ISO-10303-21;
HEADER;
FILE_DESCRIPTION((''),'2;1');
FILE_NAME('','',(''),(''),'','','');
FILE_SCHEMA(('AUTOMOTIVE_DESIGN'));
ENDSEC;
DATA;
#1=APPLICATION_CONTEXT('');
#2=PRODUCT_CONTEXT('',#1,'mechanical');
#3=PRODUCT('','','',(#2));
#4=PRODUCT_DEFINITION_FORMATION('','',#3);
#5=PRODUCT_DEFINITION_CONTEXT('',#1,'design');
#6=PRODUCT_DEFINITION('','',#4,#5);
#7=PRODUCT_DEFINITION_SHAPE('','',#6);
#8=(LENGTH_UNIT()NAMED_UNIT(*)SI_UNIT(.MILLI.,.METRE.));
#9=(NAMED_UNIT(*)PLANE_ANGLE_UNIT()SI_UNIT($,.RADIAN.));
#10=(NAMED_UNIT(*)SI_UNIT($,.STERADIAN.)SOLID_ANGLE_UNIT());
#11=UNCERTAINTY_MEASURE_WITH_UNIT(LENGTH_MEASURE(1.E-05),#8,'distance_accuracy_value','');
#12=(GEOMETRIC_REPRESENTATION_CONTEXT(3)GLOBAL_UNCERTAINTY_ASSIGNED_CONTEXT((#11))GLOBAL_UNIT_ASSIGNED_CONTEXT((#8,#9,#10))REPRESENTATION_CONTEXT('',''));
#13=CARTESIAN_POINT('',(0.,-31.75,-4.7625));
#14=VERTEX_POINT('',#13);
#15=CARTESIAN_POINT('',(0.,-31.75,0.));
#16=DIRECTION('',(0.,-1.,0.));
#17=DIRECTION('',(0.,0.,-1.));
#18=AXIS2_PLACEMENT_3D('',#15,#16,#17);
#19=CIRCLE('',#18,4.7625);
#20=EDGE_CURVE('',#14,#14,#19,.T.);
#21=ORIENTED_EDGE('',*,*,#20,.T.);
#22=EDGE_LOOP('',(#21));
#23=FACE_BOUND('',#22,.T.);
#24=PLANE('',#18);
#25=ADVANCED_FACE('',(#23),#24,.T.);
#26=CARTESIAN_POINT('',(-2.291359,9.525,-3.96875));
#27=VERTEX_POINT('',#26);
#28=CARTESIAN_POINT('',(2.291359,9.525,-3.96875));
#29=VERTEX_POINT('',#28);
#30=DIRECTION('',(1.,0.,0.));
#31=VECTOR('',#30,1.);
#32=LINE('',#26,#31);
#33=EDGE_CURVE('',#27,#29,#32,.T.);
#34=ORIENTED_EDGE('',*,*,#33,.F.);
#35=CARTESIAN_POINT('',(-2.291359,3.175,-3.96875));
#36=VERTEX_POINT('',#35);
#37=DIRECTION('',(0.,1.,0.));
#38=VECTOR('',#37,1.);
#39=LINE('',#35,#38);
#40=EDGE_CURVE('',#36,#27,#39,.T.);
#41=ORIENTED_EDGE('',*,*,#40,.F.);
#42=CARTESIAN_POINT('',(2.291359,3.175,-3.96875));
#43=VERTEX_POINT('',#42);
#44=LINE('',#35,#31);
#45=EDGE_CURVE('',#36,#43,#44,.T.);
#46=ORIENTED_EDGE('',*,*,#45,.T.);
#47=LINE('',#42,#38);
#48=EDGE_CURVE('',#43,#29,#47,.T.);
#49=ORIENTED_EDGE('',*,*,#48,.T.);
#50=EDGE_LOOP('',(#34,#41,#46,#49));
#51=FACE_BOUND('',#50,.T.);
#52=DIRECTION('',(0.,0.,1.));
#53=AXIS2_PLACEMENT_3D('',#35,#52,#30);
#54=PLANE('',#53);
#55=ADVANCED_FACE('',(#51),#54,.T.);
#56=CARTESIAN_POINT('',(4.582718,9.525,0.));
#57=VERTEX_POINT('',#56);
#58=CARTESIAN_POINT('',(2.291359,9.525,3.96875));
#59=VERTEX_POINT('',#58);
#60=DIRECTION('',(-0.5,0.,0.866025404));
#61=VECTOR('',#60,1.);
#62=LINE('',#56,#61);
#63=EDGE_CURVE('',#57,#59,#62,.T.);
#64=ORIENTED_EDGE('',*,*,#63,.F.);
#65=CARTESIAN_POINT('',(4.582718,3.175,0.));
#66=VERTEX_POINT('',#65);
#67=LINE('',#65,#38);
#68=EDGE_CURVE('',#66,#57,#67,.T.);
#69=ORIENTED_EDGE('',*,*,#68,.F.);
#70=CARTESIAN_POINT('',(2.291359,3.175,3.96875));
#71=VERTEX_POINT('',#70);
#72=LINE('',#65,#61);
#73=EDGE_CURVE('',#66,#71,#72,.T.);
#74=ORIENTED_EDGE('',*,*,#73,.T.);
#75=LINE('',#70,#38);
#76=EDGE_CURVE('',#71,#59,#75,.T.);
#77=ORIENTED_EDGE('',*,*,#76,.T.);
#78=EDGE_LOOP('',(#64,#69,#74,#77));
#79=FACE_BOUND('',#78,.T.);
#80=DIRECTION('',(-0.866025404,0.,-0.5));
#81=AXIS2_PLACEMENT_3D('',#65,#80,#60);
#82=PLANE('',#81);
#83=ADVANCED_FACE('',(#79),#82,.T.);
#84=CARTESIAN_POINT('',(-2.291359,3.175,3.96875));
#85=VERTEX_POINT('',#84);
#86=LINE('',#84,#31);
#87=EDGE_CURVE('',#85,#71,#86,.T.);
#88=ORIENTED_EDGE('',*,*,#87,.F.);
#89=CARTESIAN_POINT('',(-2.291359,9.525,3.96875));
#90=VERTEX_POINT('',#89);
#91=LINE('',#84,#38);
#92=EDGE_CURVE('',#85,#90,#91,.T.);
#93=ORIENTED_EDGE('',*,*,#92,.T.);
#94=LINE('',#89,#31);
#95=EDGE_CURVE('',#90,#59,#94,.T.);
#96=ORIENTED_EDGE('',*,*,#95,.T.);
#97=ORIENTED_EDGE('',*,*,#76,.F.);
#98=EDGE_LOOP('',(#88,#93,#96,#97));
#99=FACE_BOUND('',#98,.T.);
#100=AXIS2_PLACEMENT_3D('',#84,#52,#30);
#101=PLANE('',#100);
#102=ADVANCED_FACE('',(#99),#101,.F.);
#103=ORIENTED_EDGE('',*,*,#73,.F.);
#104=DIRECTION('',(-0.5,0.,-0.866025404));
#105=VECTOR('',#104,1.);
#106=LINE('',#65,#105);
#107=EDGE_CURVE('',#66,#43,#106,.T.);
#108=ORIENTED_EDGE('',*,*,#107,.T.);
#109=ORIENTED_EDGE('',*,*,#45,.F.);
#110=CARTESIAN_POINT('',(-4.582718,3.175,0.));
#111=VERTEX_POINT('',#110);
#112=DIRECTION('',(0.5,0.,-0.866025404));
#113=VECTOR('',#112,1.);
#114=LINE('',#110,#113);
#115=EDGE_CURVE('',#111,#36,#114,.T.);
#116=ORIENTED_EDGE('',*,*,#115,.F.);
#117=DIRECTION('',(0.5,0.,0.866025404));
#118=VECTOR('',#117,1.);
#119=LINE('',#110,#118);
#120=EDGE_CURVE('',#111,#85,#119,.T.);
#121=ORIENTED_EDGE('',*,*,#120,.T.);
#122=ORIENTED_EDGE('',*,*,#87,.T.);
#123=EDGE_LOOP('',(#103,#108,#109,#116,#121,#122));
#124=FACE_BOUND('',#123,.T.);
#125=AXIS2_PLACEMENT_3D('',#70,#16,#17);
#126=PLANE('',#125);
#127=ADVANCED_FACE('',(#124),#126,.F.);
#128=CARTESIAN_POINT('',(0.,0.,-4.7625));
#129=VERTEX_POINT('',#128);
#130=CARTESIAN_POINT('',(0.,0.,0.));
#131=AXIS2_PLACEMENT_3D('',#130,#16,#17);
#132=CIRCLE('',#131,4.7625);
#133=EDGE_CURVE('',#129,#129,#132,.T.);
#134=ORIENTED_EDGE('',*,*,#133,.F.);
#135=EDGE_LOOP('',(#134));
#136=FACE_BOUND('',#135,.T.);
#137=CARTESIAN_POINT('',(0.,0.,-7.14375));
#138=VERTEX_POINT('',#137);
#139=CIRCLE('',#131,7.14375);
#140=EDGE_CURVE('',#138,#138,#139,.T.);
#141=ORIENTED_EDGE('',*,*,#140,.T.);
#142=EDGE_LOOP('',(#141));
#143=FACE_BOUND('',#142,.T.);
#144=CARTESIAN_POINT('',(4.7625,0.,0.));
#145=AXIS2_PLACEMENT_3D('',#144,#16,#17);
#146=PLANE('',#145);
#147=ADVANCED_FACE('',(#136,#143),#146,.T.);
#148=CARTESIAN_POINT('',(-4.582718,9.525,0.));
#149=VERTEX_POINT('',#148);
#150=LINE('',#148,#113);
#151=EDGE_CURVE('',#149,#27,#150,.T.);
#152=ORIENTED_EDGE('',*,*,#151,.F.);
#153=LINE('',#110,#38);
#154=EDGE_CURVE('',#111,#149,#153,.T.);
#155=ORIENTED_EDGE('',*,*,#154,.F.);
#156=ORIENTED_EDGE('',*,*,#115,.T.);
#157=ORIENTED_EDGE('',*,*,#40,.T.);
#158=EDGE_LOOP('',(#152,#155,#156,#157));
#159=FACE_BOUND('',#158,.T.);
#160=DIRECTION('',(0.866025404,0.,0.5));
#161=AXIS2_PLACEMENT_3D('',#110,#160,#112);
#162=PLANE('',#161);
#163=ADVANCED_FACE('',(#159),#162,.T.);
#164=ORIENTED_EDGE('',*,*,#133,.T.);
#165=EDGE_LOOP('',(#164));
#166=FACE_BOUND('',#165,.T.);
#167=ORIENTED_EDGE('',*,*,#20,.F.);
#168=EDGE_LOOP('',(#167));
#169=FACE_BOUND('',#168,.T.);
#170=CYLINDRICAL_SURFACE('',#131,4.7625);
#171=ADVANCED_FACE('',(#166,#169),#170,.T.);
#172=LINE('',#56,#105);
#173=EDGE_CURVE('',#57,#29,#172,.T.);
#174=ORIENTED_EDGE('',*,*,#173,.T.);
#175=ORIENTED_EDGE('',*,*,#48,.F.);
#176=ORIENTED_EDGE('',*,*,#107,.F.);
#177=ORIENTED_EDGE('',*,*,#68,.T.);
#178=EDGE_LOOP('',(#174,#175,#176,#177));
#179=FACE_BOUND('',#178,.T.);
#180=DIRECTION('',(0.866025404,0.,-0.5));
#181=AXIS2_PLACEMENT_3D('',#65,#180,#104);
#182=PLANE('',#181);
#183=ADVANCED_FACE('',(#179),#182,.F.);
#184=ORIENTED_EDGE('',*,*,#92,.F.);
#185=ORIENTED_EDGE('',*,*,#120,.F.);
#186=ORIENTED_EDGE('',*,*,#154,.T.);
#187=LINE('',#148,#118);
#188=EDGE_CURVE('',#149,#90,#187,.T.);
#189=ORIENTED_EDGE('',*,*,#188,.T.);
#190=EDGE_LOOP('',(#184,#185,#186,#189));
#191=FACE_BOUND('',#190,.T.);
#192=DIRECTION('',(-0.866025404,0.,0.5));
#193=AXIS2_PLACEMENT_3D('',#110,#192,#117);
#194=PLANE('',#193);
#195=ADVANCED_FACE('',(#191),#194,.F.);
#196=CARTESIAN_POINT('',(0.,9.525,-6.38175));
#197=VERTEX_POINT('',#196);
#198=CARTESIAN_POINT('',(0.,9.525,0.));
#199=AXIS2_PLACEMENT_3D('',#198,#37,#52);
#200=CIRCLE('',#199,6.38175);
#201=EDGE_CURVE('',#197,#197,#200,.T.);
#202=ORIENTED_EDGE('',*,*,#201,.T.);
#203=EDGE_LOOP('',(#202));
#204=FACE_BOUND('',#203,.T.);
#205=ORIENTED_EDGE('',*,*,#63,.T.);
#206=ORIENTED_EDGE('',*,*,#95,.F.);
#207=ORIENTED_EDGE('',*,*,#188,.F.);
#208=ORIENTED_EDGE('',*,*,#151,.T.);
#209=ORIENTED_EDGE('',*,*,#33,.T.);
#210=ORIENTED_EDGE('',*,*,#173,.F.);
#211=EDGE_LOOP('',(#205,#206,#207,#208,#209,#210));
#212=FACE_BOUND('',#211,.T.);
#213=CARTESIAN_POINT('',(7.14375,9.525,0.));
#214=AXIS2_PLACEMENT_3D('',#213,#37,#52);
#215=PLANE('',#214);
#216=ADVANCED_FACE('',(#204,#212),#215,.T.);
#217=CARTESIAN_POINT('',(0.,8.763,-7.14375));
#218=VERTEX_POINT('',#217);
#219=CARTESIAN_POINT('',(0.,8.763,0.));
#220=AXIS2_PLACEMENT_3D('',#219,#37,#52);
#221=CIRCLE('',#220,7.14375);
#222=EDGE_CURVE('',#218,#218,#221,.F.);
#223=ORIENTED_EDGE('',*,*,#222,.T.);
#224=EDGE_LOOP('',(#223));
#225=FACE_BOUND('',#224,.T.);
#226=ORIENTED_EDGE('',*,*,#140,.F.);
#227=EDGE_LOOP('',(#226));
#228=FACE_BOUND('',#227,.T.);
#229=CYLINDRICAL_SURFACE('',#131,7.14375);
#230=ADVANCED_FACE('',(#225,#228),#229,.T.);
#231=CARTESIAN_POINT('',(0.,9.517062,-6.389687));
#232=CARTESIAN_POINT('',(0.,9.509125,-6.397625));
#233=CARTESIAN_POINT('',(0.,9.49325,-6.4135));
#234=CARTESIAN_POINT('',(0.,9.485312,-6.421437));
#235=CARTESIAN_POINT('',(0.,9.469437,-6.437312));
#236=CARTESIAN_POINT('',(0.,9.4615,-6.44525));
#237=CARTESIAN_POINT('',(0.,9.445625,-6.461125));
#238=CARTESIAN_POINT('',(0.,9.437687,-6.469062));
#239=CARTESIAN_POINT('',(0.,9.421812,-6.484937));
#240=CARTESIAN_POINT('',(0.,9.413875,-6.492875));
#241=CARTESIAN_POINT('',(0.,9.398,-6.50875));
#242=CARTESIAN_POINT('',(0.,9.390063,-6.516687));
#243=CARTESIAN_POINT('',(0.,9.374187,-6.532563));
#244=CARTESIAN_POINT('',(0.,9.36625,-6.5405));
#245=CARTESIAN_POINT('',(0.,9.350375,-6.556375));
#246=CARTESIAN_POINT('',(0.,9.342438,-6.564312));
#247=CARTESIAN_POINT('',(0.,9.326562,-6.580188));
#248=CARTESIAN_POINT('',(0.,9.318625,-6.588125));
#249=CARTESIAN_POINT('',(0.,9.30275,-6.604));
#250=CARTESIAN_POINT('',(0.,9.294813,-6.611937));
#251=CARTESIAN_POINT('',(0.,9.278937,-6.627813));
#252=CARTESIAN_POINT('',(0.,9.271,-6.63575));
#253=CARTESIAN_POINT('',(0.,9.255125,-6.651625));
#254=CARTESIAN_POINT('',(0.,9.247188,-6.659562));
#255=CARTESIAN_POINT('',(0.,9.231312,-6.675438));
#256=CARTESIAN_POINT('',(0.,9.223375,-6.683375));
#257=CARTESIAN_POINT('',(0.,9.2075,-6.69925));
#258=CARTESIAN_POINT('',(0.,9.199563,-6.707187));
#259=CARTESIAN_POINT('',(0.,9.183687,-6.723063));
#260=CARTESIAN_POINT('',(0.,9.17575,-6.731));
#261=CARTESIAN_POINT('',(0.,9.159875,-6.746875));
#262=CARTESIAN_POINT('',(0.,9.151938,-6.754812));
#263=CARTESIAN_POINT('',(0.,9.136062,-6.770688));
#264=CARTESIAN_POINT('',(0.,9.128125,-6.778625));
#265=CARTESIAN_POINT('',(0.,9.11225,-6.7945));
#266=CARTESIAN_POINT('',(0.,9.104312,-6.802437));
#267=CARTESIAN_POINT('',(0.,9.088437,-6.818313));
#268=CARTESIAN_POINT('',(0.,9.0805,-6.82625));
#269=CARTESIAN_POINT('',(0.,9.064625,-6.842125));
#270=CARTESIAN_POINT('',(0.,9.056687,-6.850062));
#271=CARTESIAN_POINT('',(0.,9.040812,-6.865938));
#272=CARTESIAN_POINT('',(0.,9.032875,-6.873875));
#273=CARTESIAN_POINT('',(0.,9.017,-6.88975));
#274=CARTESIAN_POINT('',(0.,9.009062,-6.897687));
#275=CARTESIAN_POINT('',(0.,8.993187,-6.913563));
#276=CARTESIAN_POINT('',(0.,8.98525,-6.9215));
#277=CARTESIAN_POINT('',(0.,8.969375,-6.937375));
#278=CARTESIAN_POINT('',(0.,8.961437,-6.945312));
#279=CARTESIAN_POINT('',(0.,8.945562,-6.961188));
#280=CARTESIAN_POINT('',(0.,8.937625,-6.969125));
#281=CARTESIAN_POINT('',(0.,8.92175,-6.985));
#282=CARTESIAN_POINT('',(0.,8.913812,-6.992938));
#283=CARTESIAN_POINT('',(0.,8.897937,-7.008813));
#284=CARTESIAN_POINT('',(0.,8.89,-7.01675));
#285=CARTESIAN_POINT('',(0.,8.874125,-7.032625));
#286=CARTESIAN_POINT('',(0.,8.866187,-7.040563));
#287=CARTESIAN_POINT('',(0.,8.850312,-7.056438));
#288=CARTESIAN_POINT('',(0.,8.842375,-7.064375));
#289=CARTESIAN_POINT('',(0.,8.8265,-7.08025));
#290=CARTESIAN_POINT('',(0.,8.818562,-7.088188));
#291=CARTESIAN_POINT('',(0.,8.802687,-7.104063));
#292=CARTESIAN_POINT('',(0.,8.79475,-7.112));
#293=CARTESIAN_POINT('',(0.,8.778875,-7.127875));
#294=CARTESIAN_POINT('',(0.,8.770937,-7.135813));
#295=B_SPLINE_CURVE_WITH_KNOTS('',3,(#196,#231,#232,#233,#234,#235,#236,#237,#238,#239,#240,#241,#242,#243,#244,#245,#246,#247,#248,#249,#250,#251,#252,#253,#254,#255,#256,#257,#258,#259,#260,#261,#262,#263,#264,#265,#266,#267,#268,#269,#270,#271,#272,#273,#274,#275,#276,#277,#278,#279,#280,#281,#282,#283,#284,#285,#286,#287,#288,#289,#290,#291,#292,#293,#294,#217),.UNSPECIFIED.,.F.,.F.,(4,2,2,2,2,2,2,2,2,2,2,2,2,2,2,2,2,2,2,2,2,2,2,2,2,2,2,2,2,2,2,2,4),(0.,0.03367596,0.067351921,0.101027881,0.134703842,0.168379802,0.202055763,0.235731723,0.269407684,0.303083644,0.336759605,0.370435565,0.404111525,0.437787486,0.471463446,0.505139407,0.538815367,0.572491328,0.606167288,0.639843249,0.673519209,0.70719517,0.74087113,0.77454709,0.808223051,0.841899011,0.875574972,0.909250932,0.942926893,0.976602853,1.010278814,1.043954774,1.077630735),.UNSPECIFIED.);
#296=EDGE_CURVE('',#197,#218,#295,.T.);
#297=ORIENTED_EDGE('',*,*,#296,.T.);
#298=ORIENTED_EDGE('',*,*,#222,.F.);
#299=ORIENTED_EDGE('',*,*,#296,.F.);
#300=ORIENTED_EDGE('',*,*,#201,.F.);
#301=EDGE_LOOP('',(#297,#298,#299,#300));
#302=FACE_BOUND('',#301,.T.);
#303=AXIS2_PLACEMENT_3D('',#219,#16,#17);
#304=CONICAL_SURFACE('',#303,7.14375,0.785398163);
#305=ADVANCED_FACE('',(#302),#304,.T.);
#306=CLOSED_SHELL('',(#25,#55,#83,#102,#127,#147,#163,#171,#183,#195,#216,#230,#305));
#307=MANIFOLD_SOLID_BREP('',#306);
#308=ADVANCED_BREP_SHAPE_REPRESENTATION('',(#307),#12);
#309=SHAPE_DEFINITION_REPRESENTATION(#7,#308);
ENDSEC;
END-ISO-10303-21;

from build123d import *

# Parameters (mm, degrees)
CUT_EXTRUDE1_DEPTH = 6.35
CHAMFER1_SIZE      = 0.762


with BuildPart() as part:
    # Sketch1 → Base-Revolve (revolve)
    with BuildSketch(Plane.XY, mode=Mode.PRIVATE) as base_revolve_sk:
        Polygon((4.7625, 0), (7.14375, 0), (7.14375, 9.525), (0, 9.525), (0, -31.75), (4.7625, -31.75), align=None)
    revolve(base_revolve_sk.sketch.rotate(Axis((0, 0, 0), (0, 1, 0)), 90), axis=Axis((0, 0, 0), (0, 1, 0)))

    # Sketch2 → Cut-Extrude1 (cut)
    with BuildSketch(Plane(origin=(0, 9.525, 0), x_dir=(-1, 0, 0), z_dir=(0, 1, 0))):
        Polygon((2.291358881, -3.96875), (-2.291358881, -3.96875), (-4.582717762, 0), (-2.291358881, 3.96875), (2.291358881, 3.96875), (4.582717762, 0), align=None)
    extrude(amount=-CUT_EXTRUDE1_DEPTH, mode=Mode.SUBTRACT)

    # Chamfer1
    chamfer1_edges = [part.edges().sort_by_distance(p)[0] for p in [
        (0, 9.525, 7.14375),
    ]]
    chamfer(chamfer1_edges, length=CHAMFER1_SIZE)


solid = part.part
